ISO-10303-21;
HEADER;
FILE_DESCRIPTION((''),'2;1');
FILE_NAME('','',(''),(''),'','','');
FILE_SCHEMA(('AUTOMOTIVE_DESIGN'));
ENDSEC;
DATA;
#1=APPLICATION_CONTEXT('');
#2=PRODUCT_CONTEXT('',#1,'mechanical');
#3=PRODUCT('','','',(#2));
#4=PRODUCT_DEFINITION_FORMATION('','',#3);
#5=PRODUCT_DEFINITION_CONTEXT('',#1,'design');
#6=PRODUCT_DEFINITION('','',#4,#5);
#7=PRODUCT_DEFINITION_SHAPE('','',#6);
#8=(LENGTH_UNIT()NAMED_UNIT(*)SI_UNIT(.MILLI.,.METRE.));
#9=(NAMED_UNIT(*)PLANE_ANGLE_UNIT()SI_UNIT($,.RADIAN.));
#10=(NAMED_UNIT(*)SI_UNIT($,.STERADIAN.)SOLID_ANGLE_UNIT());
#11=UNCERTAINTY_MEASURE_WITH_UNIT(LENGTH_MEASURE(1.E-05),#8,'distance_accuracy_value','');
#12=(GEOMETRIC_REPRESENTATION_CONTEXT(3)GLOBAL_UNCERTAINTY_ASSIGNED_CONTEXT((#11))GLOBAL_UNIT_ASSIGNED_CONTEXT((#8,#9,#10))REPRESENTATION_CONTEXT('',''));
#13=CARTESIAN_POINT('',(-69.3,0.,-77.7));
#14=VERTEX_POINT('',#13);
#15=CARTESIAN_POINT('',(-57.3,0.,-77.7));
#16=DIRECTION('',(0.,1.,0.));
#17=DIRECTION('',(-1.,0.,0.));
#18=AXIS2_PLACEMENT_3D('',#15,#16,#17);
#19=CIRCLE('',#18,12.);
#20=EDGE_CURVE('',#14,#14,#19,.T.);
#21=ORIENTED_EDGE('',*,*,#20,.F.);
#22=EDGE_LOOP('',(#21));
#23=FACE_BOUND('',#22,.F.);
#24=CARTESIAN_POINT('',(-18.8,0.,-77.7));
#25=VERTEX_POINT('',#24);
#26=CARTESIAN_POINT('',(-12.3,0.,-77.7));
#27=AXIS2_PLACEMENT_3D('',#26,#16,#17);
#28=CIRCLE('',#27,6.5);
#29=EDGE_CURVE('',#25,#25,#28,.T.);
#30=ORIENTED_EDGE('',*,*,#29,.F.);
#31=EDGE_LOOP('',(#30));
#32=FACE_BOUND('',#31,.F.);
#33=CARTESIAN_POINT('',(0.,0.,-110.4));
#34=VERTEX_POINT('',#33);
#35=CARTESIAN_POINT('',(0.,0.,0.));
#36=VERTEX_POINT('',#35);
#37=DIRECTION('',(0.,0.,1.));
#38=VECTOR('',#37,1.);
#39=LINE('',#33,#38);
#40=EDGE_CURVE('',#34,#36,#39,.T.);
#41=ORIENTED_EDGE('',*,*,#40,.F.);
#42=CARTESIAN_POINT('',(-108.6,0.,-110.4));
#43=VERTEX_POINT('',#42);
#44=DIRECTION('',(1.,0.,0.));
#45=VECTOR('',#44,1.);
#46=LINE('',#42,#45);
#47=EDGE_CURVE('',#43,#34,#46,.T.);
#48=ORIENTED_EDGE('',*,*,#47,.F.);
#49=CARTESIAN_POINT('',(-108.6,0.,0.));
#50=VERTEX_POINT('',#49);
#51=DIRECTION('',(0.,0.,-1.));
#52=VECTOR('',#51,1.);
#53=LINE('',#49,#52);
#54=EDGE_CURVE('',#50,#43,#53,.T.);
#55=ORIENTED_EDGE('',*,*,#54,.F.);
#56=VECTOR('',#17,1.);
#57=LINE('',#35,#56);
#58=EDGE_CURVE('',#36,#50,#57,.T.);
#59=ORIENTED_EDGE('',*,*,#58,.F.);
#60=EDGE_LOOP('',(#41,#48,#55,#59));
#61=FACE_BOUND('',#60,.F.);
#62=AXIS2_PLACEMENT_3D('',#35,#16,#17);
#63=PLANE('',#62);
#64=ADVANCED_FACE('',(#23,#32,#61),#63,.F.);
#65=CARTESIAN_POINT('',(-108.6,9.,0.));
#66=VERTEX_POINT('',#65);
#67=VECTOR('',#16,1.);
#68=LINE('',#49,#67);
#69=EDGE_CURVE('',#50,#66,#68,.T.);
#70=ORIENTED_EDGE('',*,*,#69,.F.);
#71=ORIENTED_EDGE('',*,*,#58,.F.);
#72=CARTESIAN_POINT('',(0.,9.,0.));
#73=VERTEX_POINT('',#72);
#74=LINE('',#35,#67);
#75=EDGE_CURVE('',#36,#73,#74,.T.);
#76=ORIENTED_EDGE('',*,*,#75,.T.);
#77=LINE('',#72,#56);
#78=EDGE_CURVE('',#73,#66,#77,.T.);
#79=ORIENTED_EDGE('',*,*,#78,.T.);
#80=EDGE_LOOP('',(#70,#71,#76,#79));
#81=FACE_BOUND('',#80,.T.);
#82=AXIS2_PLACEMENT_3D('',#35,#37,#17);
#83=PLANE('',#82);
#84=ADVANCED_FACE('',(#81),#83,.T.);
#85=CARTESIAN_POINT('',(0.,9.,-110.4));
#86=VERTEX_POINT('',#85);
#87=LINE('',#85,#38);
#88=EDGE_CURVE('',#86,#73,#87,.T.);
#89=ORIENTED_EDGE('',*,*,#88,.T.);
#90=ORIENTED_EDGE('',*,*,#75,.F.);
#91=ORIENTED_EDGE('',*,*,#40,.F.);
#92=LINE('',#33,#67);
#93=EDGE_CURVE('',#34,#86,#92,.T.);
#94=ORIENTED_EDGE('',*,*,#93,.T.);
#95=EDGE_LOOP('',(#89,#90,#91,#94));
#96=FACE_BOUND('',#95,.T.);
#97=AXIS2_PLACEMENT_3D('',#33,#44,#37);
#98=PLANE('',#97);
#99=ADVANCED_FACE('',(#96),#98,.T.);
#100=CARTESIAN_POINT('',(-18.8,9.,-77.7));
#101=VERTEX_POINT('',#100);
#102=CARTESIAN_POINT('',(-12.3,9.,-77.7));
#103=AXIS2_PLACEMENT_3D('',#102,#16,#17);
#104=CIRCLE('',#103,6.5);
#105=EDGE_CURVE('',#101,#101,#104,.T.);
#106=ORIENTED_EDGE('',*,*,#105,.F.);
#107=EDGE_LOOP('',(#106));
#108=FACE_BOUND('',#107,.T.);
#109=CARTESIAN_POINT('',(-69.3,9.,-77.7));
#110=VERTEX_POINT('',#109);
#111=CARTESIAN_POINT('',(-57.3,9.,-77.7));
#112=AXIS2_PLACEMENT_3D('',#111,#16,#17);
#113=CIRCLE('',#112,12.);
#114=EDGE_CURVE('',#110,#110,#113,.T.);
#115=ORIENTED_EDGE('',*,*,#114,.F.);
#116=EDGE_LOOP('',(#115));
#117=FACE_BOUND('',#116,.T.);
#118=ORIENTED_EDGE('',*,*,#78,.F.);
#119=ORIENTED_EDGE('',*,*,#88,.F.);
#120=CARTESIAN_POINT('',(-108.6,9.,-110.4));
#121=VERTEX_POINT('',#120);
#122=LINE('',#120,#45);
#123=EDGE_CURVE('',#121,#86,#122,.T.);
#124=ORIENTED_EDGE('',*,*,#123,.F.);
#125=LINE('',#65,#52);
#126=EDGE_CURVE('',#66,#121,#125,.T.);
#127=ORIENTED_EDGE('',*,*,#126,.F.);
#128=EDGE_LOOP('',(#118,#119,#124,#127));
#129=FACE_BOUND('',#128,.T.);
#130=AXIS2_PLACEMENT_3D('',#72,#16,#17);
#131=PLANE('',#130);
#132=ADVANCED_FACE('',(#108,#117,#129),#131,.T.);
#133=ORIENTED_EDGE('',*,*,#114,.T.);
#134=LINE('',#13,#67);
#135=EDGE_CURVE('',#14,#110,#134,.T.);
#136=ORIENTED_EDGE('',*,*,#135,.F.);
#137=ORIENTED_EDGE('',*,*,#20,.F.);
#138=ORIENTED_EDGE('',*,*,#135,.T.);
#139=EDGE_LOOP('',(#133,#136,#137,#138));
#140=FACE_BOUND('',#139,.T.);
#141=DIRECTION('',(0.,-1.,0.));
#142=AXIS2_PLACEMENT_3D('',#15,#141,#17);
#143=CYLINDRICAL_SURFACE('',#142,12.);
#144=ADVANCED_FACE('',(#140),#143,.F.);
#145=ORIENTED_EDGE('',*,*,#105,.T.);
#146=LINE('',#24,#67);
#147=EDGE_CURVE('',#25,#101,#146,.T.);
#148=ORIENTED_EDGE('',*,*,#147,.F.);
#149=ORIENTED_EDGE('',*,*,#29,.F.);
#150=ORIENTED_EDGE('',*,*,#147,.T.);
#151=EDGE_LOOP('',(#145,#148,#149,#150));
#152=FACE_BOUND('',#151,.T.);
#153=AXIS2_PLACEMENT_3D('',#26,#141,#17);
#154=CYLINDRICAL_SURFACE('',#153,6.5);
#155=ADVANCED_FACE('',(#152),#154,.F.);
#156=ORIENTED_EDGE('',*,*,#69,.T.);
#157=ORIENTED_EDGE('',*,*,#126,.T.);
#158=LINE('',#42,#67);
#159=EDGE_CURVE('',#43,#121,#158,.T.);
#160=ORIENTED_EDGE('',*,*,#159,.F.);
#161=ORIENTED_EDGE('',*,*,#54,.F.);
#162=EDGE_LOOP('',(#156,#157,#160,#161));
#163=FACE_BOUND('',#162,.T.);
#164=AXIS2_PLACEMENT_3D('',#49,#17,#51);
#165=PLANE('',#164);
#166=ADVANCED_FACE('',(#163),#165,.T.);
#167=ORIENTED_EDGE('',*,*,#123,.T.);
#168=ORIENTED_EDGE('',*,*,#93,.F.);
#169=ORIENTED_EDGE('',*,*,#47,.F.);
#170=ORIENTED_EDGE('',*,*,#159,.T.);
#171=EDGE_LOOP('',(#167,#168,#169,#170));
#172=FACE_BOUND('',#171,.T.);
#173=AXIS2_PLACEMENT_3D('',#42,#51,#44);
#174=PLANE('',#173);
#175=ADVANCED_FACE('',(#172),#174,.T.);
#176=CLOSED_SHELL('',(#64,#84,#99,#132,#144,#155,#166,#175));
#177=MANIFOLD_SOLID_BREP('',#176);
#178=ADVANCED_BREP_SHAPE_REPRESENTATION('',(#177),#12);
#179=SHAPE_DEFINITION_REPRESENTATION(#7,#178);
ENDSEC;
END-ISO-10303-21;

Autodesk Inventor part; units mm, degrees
ref_plane "YZ Plane" through (0, 0, 0) normal (1, 0, 0) x (0, 1, 0)
ref_plane "XZ Plane" through (0, 0, 0) normal (0, 1, 0) x (-1, 0, 0)
ref_plane "XY Plane" through (0, 0, 0) normal (0, 0, 1) x (1, 0, 0)
sketch "Sketch1" plane through (0, 0, 0) normal (0, 1, 0) x (-1, 0, 0)
  line L0 (0, 0) -> (108.6, 0)
  line L1 (108.6, 0) -> (108.6, -110.4)
  line L2 (108.6, -110.4) -> (0, -110.4)
  line L3 (0, -110.4) -> (0, 0)
  circle A0 centre (12.3, -77.7) radius 6.5
  circle A1 centre (57.3, -77.7) radius 12
  dimension "d0" = 108.6
  dimension "d1" = 110.4
  dimension "d2" = 13
  dimension "d3" = 12.3
  dimension "d4" = 32.7
  dimension "d5" = 24
  dimension "d6" = 45
extrude "Extrusion1" add sketch "Sketch1" along normal blind 9
properties part number "Marco_frontal" material "Aluminum 6061"
